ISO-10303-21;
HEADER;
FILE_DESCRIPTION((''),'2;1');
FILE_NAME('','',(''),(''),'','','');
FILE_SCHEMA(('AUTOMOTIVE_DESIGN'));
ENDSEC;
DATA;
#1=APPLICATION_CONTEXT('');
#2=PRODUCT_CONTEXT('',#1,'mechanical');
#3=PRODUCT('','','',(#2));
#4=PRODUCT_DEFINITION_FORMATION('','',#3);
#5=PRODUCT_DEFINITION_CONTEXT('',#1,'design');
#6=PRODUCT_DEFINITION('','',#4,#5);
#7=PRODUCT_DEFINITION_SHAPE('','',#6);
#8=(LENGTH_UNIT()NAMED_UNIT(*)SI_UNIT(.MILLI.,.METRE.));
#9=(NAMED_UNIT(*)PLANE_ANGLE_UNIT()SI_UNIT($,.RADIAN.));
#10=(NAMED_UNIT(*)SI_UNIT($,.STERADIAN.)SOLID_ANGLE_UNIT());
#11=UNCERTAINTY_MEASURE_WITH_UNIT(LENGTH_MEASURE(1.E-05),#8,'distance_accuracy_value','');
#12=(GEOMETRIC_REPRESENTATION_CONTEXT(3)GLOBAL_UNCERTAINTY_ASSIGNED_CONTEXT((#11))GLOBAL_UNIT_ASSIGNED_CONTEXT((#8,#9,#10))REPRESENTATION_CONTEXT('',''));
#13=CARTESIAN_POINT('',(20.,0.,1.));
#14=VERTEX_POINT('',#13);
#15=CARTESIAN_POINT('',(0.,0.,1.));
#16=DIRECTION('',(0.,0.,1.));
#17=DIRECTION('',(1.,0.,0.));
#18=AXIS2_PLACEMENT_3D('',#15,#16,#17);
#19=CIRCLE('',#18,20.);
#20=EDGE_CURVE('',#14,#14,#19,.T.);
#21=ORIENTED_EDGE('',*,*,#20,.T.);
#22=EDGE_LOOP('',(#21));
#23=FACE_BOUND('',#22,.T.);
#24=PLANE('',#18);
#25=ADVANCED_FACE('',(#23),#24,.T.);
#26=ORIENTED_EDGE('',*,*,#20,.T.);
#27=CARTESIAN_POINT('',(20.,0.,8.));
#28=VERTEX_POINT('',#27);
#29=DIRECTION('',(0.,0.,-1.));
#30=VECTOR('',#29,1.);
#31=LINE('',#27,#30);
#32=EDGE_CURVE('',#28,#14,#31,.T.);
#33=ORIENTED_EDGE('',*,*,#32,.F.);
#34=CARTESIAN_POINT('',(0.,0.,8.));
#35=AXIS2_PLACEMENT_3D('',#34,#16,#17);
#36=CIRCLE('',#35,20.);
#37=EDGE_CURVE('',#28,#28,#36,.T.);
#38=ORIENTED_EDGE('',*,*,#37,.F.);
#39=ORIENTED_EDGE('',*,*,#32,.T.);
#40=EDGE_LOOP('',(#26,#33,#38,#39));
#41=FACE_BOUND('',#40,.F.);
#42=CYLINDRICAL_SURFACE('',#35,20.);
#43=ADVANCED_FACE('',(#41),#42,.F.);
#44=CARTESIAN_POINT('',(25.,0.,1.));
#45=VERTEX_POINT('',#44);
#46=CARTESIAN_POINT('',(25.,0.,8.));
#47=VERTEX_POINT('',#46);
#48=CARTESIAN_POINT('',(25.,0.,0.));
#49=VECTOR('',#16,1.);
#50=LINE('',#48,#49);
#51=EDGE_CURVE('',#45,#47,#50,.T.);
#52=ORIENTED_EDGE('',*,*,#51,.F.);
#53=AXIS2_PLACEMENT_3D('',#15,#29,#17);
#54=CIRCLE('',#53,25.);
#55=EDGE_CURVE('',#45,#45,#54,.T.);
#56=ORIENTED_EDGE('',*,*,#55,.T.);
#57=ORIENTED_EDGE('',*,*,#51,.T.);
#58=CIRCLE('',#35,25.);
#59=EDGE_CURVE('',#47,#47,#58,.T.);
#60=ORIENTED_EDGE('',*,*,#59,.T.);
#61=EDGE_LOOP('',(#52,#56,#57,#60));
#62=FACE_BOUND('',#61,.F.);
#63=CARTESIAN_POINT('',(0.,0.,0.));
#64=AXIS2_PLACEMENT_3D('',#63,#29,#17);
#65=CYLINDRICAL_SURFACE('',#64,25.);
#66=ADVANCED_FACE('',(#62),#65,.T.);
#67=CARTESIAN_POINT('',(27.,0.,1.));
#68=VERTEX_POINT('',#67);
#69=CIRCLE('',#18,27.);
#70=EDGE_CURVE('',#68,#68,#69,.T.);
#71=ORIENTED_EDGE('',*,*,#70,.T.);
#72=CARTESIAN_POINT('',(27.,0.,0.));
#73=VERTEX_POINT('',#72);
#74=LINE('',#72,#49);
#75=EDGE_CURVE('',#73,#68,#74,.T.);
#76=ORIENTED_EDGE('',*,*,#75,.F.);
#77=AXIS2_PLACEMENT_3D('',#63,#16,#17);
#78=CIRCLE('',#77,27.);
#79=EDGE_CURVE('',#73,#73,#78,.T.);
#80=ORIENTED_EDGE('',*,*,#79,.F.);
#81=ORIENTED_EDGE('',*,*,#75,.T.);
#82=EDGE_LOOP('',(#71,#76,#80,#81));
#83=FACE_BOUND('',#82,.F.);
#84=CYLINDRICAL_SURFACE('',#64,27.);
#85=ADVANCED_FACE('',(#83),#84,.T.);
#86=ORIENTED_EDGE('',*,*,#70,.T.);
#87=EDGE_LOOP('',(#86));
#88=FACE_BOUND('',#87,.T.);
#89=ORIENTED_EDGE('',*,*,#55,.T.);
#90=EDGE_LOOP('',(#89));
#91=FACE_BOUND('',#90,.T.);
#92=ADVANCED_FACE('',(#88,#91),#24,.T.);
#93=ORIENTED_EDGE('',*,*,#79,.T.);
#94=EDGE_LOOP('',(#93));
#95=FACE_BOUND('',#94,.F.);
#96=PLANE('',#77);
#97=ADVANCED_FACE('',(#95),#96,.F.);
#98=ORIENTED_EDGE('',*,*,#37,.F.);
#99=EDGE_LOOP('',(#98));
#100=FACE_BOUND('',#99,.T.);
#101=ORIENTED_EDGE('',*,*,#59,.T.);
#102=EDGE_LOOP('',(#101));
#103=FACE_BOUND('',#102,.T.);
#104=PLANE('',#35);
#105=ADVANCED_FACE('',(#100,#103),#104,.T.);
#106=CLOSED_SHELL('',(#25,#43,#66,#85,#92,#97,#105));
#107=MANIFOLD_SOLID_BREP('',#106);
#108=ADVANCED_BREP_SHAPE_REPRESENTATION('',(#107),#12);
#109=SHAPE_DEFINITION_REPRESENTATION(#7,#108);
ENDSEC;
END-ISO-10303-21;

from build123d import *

# Parameters (mm, degrees)
F0_R     = 27
F0_R_2   = 25
F1_DEPTH = 1
F2_DEPTH = 8
F3_R     = 20
F4_DEPTH = 7


with BuildPart() as f1:
    # F0 (on Top) → F1 (new body)
    with BuildSketch(Plane.XY):
        Circle(F0_R)
        Circle(F0_R_2, mode=Mode.SUBTRACT)
        Circle(F0_R_2)
    extrude(amount=F1_DEPTH)

    # F0 (on Top) → F2 (join)
    with BuildSketch(Plane.XY):
        Circle(F0_R_2)
    extrude(amount=F2_DEPTH)

    # F3 (on face) → F4 (cut)
    with BuildSketch(Plane.XY.offset(8)):
        Circle(F3_R)
    extrude(amount=-F4_DEPTH, mode=Mode.SUBTRACT)


solid = f1.part
